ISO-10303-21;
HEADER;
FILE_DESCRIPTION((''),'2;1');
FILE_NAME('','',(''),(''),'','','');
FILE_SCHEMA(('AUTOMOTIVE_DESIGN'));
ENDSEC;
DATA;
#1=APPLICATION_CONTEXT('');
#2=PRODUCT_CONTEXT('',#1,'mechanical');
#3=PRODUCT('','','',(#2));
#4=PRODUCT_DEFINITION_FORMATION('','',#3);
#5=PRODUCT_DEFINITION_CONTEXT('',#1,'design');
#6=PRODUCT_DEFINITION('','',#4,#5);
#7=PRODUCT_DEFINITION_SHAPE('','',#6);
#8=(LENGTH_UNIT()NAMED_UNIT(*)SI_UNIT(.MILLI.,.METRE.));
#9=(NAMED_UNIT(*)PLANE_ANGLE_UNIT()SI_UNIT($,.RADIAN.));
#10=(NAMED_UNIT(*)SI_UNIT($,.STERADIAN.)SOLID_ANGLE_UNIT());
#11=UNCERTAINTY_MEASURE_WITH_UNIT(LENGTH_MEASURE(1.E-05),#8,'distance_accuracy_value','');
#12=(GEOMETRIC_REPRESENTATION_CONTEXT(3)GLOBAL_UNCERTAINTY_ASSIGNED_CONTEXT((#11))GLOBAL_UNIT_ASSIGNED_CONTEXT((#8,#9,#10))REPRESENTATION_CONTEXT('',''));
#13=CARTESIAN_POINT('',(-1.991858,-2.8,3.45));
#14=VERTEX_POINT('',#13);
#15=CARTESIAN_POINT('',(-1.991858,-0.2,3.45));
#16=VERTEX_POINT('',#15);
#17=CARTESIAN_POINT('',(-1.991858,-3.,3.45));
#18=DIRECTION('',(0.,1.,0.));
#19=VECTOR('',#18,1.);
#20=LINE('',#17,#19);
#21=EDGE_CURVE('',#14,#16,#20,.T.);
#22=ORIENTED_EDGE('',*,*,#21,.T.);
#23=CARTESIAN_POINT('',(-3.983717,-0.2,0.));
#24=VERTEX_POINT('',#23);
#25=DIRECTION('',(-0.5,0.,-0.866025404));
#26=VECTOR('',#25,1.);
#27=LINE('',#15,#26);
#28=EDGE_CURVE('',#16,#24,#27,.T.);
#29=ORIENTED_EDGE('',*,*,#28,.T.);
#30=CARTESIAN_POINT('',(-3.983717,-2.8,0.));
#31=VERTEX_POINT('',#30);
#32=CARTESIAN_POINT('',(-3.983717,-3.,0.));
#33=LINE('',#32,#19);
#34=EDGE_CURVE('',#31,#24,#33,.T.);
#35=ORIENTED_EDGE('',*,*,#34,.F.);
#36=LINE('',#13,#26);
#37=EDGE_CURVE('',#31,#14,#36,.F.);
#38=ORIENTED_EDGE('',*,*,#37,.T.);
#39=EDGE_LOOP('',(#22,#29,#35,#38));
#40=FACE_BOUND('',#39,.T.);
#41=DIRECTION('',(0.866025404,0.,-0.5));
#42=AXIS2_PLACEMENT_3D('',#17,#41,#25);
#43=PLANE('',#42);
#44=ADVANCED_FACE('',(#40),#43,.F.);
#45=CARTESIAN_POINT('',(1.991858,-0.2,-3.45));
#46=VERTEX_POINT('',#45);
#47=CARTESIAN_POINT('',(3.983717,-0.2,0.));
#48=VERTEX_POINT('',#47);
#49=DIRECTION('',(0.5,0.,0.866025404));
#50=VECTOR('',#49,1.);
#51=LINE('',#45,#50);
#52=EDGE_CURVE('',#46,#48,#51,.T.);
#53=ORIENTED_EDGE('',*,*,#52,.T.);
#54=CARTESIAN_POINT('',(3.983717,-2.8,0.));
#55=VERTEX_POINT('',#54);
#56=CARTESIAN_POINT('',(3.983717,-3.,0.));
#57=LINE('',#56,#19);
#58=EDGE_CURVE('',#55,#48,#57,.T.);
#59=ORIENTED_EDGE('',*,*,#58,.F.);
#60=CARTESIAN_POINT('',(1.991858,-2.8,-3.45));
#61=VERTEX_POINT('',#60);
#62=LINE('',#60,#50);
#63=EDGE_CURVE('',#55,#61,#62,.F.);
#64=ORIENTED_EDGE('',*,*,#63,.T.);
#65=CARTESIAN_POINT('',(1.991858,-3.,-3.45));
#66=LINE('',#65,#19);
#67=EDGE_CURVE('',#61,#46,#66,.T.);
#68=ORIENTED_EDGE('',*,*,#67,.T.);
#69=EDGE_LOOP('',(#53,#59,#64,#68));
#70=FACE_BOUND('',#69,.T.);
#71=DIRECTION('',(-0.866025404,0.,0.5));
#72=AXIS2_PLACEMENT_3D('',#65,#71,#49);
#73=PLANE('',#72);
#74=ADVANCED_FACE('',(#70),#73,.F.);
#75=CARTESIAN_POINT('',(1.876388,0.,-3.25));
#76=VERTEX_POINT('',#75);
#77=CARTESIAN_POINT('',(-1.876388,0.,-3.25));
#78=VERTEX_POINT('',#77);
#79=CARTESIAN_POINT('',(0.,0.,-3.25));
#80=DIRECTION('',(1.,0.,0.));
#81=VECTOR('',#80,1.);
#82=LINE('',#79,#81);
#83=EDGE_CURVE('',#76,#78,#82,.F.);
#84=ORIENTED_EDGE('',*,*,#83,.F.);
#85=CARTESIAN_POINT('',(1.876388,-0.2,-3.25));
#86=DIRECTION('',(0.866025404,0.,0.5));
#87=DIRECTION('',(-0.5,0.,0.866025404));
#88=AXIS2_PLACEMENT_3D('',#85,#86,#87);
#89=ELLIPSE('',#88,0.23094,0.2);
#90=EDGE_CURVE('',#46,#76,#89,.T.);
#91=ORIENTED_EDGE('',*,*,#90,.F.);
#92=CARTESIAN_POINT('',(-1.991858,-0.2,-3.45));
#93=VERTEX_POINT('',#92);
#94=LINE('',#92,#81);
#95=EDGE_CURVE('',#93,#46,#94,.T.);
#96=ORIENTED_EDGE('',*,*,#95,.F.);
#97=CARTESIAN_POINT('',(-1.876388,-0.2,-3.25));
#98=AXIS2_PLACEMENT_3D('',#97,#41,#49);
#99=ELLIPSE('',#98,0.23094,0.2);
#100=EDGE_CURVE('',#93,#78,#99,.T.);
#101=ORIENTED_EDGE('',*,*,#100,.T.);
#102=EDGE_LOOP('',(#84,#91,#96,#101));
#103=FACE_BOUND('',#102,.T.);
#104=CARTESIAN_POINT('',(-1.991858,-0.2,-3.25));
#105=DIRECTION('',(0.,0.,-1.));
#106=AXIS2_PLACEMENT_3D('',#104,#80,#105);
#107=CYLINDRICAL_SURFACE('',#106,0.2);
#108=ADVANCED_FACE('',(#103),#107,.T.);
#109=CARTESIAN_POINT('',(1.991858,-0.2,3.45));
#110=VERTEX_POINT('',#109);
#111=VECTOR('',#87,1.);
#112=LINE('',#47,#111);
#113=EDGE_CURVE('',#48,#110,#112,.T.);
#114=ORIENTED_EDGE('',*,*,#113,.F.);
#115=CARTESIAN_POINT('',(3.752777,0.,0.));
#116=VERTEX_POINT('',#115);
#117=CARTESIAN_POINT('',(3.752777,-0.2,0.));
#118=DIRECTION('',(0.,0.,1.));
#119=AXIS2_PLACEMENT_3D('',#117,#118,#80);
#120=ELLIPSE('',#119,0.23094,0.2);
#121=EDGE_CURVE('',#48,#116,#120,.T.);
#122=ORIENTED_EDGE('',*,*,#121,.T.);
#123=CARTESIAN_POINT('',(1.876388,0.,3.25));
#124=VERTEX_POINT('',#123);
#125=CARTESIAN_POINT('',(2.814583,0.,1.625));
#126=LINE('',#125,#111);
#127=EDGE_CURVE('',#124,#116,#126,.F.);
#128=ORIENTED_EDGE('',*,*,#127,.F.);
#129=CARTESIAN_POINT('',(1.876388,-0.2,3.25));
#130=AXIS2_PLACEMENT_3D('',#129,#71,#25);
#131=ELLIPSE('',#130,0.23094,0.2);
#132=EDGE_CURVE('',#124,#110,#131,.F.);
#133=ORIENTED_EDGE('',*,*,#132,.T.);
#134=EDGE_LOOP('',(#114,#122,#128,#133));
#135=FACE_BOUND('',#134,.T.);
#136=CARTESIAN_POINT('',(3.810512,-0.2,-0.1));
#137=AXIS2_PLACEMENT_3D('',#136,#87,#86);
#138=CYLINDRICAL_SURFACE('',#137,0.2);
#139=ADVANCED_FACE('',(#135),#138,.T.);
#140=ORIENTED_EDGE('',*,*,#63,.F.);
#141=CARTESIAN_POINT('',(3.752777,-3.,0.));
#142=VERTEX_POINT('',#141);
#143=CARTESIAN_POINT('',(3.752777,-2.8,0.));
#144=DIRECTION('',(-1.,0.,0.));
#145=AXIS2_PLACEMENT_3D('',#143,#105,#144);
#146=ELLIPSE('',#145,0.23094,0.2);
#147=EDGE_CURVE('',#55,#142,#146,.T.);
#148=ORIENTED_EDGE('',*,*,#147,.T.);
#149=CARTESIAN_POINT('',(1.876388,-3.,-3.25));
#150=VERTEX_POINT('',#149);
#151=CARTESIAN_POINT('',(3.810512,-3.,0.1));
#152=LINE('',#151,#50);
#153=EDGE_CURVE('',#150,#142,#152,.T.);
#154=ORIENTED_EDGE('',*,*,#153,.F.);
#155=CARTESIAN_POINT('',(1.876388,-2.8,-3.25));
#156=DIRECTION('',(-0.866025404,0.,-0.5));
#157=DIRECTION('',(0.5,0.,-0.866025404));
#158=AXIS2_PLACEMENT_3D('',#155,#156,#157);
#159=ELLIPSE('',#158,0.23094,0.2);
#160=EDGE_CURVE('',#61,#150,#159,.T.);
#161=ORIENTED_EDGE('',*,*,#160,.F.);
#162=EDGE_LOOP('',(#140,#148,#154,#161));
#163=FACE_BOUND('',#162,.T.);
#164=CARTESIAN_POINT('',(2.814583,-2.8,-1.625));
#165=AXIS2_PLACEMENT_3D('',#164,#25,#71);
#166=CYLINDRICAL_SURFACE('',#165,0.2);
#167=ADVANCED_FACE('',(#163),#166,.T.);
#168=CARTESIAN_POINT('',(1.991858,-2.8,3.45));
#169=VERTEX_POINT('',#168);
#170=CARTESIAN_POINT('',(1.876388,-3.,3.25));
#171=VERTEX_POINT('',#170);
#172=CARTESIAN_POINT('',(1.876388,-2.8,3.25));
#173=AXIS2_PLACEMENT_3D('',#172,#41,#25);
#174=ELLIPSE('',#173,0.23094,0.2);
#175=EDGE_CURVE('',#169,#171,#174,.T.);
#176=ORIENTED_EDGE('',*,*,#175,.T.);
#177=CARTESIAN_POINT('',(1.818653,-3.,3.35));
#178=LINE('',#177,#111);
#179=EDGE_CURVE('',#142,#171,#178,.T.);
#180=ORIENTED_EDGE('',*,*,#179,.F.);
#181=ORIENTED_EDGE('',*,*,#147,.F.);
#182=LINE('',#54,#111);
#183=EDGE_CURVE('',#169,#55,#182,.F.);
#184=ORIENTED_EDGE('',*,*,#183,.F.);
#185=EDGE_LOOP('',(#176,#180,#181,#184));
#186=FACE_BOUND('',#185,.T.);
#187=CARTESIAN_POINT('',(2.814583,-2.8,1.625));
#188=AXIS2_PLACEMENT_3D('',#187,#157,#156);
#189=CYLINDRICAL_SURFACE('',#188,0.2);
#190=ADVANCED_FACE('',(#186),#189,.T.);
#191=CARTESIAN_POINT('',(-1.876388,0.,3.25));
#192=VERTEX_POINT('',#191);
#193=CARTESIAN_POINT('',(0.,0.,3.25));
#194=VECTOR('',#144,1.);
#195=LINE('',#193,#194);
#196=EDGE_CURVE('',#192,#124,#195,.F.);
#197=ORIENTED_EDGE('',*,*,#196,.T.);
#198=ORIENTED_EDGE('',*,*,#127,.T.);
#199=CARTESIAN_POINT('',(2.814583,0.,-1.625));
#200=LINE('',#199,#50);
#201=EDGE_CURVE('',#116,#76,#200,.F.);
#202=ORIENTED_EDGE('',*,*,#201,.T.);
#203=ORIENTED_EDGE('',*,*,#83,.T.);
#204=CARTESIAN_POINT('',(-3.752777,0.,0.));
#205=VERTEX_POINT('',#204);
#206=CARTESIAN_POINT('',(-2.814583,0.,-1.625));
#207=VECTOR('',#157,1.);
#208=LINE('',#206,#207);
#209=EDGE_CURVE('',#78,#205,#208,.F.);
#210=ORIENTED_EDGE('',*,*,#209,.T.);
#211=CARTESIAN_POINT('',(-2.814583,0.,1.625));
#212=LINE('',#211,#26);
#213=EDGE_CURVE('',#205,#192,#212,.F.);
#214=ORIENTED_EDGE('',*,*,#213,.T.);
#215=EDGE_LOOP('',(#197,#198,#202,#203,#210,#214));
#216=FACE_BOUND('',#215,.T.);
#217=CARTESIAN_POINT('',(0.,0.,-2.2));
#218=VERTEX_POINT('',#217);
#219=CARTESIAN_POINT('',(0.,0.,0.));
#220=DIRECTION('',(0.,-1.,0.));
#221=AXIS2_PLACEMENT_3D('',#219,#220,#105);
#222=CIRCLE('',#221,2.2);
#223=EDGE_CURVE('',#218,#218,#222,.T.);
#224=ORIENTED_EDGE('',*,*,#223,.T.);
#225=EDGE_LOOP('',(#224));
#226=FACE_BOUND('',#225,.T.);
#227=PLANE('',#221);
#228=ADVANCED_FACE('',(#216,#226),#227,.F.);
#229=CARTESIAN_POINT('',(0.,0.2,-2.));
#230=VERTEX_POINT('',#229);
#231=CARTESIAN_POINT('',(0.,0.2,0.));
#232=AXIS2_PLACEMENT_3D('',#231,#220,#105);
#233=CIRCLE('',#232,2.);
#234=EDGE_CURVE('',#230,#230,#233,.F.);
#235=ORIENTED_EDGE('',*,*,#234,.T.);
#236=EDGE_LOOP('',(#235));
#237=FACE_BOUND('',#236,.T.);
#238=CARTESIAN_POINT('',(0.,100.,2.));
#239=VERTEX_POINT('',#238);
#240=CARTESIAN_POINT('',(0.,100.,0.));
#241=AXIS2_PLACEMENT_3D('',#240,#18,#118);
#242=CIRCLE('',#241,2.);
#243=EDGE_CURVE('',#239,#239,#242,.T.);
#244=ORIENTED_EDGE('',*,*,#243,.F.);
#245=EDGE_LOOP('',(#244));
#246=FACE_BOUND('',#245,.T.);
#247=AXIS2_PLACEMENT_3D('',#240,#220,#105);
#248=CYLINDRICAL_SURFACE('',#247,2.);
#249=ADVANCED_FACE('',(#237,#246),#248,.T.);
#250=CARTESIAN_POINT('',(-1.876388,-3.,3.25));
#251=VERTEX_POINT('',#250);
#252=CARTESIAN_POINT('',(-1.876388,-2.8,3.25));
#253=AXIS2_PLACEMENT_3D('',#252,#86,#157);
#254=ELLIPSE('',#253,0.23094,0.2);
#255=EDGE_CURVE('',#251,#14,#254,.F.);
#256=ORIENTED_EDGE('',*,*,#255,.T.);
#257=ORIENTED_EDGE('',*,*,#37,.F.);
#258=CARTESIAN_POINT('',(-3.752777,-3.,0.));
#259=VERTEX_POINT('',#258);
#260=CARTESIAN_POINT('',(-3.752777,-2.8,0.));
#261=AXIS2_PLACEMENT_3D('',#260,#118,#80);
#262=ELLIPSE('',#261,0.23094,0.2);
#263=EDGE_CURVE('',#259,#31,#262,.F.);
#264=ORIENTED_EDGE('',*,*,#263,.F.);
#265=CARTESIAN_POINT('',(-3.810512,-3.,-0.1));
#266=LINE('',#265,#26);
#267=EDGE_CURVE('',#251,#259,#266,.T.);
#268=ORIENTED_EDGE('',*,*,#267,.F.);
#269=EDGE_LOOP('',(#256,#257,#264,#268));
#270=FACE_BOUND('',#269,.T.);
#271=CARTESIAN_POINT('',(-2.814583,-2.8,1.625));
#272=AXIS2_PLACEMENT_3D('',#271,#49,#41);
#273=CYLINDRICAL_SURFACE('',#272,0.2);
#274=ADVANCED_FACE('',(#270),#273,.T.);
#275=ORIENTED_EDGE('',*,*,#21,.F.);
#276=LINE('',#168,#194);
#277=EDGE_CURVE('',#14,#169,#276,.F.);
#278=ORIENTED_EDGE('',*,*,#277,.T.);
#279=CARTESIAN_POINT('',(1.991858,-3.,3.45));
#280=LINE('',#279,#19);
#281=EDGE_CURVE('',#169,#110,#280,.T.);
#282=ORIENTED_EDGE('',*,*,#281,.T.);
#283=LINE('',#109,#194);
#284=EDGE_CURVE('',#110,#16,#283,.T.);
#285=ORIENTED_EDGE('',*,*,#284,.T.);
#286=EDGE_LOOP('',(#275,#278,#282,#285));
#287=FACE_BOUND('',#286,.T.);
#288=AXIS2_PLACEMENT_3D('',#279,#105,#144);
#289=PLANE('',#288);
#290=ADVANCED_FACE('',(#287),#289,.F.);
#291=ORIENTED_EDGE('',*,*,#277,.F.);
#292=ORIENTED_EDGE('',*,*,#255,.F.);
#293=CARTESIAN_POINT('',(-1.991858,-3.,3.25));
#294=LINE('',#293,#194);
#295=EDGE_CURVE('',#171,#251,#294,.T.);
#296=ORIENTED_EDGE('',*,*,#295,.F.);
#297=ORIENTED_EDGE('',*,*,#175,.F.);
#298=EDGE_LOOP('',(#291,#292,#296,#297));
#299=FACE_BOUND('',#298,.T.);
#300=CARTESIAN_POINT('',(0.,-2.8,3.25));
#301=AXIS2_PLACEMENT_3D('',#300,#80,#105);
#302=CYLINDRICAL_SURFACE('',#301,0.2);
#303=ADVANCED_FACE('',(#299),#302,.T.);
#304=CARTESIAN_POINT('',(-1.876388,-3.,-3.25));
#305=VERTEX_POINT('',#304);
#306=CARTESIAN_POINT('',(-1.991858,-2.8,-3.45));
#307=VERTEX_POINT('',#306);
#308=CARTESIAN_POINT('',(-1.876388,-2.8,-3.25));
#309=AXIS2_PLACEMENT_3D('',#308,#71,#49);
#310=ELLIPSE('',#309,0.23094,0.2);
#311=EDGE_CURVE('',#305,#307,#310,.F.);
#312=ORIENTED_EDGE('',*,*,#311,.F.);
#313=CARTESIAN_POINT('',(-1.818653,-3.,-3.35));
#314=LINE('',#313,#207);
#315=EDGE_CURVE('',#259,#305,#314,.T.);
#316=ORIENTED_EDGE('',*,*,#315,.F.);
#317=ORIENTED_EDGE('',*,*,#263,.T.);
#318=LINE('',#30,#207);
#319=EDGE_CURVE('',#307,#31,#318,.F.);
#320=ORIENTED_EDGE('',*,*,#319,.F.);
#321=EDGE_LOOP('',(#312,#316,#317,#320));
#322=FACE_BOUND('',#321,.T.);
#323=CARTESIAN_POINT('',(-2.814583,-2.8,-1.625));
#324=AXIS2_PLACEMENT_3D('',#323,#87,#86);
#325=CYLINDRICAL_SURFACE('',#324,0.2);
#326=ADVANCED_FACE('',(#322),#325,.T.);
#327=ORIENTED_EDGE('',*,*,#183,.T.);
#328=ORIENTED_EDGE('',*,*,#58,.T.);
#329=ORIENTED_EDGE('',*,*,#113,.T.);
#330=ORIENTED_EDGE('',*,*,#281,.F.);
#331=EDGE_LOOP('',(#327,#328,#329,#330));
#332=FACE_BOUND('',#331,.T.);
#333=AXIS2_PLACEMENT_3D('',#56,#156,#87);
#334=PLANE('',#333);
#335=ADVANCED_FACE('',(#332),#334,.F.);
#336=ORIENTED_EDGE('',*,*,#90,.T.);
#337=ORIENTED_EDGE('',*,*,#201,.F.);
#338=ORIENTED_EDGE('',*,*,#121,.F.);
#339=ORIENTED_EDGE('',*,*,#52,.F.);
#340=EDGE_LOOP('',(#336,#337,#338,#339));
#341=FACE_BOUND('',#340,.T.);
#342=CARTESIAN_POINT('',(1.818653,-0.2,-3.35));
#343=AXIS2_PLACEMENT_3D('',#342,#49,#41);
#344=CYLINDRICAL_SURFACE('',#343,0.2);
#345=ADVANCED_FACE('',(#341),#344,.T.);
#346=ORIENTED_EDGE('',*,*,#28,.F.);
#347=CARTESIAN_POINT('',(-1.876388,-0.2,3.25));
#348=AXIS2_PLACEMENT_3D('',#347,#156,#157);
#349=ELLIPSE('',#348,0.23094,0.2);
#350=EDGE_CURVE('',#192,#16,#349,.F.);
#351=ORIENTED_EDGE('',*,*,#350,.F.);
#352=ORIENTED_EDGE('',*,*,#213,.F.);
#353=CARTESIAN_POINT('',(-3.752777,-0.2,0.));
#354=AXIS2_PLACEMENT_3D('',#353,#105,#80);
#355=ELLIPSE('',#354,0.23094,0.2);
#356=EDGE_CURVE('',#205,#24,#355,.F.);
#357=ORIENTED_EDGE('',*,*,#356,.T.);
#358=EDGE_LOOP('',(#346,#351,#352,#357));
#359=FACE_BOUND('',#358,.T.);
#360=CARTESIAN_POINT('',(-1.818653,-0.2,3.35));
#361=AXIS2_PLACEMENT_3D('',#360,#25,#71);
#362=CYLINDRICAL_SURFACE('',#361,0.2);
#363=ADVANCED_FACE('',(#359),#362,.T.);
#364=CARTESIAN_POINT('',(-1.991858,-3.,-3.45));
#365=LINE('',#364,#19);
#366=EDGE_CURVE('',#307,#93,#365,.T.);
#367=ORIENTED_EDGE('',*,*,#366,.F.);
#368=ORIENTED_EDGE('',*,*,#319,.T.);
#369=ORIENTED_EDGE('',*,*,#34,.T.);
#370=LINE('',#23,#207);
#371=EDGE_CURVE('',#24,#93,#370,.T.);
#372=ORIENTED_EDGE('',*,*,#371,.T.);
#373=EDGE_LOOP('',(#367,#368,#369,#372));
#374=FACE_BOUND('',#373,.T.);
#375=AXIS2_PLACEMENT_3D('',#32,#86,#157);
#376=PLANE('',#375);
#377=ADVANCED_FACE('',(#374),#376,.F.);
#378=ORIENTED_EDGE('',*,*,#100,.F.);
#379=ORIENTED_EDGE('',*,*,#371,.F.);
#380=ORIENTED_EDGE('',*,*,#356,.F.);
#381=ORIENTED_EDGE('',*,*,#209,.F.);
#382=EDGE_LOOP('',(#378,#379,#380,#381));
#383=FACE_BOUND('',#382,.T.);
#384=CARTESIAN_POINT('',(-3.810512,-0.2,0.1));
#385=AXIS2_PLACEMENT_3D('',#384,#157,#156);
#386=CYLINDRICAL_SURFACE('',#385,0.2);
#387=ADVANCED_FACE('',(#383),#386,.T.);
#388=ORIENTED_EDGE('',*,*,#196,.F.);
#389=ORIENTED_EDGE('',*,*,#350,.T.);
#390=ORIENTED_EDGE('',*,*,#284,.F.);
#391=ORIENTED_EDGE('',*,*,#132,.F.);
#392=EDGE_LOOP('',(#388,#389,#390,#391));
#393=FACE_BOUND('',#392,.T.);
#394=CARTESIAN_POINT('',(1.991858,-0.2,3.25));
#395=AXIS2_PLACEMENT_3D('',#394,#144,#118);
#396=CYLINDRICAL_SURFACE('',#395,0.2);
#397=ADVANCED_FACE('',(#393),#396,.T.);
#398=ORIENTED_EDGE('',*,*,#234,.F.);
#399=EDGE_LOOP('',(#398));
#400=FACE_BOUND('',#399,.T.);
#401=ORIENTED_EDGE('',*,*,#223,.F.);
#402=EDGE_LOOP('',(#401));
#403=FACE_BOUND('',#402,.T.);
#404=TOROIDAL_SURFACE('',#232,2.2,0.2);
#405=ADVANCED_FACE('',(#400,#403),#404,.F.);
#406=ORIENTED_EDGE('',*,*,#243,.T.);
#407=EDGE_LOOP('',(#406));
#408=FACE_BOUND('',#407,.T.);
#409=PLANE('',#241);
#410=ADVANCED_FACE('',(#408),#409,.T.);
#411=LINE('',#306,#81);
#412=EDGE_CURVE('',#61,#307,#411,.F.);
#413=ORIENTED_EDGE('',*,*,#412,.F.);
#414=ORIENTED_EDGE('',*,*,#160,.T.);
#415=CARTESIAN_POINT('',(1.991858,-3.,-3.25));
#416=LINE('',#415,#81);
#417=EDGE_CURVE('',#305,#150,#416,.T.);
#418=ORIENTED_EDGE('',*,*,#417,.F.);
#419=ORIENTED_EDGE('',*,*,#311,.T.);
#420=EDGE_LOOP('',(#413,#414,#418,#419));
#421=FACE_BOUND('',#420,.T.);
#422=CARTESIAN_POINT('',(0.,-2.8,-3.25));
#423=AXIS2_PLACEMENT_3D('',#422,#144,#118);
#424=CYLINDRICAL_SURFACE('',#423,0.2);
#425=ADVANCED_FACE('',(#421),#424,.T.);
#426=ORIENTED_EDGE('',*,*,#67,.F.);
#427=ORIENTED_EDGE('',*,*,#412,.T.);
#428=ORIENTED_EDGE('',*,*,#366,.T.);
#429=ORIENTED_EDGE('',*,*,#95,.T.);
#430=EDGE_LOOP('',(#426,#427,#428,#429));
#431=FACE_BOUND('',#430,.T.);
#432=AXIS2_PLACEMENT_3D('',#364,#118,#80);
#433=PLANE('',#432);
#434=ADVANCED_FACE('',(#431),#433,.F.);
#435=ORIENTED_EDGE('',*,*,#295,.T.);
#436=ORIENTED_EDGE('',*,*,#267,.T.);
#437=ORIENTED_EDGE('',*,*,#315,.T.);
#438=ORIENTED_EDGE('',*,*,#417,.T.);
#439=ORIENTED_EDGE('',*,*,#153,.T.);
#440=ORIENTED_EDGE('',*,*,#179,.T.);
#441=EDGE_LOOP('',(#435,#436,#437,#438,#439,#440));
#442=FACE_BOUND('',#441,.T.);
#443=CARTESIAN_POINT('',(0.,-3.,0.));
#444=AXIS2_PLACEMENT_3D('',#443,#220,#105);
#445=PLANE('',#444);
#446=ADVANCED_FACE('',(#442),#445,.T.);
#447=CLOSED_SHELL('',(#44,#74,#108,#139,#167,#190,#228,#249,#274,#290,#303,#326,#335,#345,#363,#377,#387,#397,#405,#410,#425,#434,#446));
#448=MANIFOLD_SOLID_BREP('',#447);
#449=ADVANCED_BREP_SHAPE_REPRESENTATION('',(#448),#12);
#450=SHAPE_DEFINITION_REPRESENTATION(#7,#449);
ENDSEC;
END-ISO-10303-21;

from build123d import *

# Parameters (mm, degrees)
SKETCH1_R           = 2
BOSS_EXTRUDE1_DEPTH = 100
BOSS_EXTRUDE2_DEPTH = 3
FILLET2_R           = 0.2


with BuildPart() as part:
    # Sketch1 → Boss-Extrude1 (new body)
    with BuildSketch(Plane(origin=(0, 0, 0), x_dir=(1, 0, 0), z_dir=(0, 1, 0))):
        with Locations(Location((0, 0, 0), (0, 0, 270))):
            Circle(SKETCH1_R)
    extrude(amount=BOSS_EXTRUDE1_DEPTH)

    # Sketch2 → Boss-Extrude2 (add)
    with BuildSketch(Plane.XZ):
        Polygon((3.983716857, 0), (1.991858429, 3.45), (-1.991858429, 3.45), (-3.983716857, 0), (-1.991858429, -3.45), (1.991858429, -3.45), align=None)
    extrude(amount=BOSS_EXTRUDE2_DEPTH)

    # Fillet2
    fillet2_edges = [part.edges().sort_by_distance(p)[0] for p in [
        (0, 0, -2),
        (2.987787643, 0, -1.725),
        (2.987787643, 0, 1.725),
        (0, 0, 3.45),
        (-2.987787643, 0, 1.725),
        (-2.987787643, 0, -1.725),
        (0, 0, -3.45),
        (2.987787643, -3, -1.725),
        (2.987787643, -3, 1.725),
        (0, -3, 3.45),
        (-2.987787643, -3, 1.725),
        (-2.987787643, -3, -1.725),
        (0, -3, -3.45),
    ]]
    fillet(fillet2_edges, radius=FILLET2_R)


solid = part.part
